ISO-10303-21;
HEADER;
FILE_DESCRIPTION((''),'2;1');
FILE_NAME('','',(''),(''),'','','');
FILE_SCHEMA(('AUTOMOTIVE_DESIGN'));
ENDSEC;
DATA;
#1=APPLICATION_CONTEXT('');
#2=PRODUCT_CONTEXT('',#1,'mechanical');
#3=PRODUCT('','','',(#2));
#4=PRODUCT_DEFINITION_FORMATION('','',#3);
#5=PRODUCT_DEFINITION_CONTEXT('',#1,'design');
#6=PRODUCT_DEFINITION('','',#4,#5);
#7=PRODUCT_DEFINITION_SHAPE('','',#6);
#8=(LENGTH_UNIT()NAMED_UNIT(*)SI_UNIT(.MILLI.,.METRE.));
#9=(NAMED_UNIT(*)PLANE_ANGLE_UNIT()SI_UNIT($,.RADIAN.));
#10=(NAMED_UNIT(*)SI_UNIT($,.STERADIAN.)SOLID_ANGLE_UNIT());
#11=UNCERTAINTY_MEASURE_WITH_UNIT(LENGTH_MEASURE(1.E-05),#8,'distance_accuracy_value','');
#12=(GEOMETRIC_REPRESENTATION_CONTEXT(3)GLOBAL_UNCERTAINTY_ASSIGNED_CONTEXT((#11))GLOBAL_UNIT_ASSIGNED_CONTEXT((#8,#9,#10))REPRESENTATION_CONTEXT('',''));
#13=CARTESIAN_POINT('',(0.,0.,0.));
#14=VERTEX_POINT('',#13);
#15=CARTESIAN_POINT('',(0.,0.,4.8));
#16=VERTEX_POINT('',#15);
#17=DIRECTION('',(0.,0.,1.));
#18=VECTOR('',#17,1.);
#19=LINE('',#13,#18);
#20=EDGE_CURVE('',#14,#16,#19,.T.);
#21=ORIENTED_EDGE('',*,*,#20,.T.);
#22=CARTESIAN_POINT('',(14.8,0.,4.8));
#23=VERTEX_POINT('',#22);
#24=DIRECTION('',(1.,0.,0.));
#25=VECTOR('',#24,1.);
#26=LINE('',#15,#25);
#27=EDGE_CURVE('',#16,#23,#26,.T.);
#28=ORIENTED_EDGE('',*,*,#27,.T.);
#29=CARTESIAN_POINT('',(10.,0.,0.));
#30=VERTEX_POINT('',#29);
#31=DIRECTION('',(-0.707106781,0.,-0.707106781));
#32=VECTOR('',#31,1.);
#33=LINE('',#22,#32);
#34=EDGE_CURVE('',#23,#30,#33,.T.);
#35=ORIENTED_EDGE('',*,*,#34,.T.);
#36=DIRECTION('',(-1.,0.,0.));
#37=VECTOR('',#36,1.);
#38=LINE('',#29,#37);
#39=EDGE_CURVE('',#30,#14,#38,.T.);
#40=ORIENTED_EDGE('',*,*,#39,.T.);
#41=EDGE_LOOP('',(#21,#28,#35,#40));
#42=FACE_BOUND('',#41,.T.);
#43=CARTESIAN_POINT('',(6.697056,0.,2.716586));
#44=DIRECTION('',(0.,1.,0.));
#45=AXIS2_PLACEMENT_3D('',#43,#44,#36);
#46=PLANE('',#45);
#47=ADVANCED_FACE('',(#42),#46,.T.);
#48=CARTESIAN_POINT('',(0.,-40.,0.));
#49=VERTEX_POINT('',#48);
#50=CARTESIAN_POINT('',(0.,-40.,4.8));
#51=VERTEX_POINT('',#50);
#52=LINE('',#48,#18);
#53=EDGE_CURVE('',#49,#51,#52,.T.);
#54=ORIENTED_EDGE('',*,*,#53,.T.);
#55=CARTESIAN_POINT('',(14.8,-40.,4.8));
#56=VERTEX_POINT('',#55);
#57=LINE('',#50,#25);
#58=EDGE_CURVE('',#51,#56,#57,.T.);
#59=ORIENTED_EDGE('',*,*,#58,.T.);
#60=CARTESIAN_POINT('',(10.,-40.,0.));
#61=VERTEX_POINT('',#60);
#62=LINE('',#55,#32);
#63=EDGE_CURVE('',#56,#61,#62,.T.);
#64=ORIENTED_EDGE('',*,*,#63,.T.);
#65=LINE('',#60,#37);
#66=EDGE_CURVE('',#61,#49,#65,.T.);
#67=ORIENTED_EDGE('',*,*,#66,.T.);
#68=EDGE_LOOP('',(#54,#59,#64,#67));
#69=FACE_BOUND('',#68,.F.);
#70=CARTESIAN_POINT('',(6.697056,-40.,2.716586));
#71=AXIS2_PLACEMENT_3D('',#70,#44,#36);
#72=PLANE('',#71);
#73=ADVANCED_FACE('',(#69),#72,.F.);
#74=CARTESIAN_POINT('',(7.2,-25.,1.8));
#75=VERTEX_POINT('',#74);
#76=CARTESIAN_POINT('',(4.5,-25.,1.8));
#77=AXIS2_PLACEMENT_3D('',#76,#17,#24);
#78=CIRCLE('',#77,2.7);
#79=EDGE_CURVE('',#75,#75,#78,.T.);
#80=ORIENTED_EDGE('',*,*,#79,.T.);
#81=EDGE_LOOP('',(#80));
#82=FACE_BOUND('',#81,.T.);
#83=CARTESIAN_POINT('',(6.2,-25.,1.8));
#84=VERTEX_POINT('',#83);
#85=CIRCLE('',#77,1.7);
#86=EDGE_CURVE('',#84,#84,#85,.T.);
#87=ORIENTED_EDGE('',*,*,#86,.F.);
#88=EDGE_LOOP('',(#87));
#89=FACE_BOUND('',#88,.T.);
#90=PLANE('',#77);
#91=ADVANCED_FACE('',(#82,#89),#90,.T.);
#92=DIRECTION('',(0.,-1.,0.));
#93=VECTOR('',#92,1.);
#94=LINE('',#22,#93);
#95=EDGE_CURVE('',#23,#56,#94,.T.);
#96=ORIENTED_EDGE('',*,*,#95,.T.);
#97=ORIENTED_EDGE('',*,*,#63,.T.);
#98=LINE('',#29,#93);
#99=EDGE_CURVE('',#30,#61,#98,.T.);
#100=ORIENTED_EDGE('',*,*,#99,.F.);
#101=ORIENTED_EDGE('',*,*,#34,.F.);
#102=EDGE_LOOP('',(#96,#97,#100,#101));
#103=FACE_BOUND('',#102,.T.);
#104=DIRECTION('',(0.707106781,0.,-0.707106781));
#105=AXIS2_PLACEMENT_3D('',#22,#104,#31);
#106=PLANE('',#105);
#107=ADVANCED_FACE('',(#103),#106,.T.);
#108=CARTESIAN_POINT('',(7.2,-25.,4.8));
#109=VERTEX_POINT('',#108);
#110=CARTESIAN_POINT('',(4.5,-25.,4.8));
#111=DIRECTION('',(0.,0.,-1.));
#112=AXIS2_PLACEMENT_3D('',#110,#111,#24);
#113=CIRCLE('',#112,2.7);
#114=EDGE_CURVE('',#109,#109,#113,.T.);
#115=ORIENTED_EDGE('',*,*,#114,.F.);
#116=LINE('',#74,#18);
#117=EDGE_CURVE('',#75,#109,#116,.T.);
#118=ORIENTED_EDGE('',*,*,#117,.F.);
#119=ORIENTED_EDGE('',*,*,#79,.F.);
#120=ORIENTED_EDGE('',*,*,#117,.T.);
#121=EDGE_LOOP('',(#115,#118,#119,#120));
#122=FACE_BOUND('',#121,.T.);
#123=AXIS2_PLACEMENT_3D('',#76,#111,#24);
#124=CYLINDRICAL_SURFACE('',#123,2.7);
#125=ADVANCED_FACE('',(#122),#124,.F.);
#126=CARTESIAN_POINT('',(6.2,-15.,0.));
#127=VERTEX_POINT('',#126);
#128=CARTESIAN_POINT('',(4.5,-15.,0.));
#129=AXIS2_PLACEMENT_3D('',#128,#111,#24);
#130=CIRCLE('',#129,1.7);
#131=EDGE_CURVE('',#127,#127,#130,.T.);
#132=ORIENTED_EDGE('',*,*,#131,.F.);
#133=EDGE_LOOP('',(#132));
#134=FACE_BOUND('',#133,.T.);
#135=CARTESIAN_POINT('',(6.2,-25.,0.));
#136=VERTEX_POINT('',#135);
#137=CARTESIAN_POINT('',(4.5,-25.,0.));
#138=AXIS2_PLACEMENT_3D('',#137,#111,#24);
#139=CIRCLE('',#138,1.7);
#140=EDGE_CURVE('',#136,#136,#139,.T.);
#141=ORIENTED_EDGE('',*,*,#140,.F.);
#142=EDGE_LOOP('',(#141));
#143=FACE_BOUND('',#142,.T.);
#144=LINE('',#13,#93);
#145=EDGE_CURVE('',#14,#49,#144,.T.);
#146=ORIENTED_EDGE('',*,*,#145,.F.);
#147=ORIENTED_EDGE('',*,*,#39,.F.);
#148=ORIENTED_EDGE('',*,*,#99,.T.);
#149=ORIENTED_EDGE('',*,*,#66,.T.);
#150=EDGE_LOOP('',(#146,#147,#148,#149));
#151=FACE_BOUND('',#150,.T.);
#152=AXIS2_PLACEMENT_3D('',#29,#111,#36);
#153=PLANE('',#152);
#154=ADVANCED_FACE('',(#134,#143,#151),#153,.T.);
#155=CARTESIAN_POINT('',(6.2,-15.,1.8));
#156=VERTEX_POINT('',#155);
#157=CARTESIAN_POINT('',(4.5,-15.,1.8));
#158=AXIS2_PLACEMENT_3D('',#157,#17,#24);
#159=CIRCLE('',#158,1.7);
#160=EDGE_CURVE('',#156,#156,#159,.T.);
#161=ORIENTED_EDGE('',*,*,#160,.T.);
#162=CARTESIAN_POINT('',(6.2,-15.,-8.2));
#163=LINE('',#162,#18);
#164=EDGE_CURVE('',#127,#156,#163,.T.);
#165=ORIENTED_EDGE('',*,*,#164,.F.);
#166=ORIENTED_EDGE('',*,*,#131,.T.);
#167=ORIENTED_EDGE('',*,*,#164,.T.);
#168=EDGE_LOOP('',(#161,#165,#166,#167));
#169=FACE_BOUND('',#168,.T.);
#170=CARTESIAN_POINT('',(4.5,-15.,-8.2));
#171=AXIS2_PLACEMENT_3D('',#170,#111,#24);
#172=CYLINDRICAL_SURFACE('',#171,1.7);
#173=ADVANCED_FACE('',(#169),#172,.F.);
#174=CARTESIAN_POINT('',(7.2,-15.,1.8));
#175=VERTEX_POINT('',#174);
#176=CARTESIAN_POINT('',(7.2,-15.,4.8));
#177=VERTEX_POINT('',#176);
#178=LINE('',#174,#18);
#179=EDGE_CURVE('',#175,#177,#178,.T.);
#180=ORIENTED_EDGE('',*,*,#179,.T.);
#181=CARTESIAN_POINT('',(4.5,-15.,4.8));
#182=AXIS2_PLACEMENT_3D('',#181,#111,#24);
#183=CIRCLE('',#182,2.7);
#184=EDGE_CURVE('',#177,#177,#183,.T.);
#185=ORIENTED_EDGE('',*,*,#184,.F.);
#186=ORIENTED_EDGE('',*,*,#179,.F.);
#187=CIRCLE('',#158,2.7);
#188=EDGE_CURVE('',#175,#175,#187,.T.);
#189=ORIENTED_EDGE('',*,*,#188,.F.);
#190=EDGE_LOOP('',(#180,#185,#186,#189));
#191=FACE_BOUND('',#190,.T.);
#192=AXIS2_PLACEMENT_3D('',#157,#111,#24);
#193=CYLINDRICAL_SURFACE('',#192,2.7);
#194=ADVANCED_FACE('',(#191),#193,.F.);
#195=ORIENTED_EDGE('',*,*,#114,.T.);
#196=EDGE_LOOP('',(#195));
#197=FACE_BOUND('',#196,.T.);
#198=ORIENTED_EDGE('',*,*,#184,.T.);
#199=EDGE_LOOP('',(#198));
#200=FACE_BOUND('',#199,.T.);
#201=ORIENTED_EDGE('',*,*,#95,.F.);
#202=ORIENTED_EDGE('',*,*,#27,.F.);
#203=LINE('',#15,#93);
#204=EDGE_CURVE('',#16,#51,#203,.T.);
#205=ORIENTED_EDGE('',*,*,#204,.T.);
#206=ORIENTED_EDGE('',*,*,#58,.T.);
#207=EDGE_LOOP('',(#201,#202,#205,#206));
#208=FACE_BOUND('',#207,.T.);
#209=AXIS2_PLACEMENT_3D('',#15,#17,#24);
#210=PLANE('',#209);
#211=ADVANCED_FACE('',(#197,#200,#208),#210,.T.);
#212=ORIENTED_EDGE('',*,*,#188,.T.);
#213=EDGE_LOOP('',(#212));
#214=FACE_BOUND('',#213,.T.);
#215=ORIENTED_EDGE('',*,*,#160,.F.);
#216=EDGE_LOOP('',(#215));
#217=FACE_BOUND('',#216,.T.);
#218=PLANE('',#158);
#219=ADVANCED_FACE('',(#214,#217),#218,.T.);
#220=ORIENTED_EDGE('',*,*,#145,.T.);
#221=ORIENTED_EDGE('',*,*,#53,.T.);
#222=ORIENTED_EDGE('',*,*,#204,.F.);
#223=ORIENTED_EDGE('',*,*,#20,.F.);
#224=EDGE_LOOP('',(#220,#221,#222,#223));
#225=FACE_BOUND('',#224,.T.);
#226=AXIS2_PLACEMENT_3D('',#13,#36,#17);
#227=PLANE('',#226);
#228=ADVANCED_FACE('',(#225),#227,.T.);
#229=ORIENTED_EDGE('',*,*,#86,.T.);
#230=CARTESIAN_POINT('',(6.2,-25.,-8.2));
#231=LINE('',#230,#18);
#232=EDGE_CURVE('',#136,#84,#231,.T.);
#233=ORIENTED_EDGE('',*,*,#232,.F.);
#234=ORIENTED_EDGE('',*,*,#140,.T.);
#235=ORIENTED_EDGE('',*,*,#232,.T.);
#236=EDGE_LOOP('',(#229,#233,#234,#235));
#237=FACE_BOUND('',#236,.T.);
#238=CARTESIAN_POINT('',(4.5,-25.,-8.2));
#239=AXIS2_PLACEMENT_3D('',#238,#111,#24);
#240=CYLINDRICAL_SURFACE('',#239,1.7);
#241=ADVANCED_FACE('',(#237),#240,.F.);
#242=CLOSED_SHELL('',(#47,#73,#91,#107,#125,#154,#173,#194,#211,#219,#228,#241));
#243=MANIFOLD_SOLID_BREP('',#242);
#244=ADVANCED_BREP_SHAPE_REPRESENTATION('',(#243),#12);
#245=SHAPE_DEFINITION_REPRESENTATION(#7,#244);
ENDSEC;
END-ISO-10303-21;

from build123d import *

# Parameters (mm, degrees)
CYLINDER1020_R     = 2.7
CYLINDER1020_DEPTH = 10
CYLINDER1018_R     = 1.7
CYLINDER1018_DEPTH = 10
PAD020_DEPTH       = 40


with BuildPart() as cylinder1015:
    # Cylinder1020 → Cylinder1020 (new body)
    with BuildSketch(Plane.XY.offset(10)):
        Circle(CYLINDER1020_R)
    extrude(amount=CYLINDER1020_DEPTH)


with BuildPart() as m3bolthead:
    # Cylinder1018 → Cylinder1018 (new body)
    with BuildSketch(Plane.XY):
        Circle(CYLINDER1018_R)
    extrude(amount=CYLINDER1018_DEPTH)

    # Fusion024: union Cylinder1015
    add(cylinder1015.part)


with BuildPart() as clone_of_m3bolthead002:
    # Clone034 base: copy of M3BoltHead
    add(m3bolthead.part)


with BuildPart() as clone_of_m3bolthead002_1:
    # Clone034 placement: moved
    add(clone_of_m3bolthead002.part.moved(Location((4.5, -15, -8.2))))


with BuildPart() as fusion041:
    # Clone033 base: copy of M3BoltHead
    add(m3bolthead.part)


with BuildPart() as fusion041_1:
    # Clone033 placement: moved
    add(fusion041.part.moved(Location((4.5, -25, -8.2))))

    # Fusion041: union Clone of M3BoltHead002
    add(clone_of_m3bolthead002_1.part)


with BuildPart() as clone_of_botfix:
    # Sketch021 → Pad020 (new body)
    with BuildSketch(Plane.XZ):
        Polygon((0, 0), (0, 4.8), (14.8, 4.8), (10, 0), align=None)
    extrude(amount=PAD020_DEPTH)

    # Cut050: cut Fusion041
    add(fusion041_1.part, mode=Mode.SUBTRACT)


solid = clone_of_botfix.part
